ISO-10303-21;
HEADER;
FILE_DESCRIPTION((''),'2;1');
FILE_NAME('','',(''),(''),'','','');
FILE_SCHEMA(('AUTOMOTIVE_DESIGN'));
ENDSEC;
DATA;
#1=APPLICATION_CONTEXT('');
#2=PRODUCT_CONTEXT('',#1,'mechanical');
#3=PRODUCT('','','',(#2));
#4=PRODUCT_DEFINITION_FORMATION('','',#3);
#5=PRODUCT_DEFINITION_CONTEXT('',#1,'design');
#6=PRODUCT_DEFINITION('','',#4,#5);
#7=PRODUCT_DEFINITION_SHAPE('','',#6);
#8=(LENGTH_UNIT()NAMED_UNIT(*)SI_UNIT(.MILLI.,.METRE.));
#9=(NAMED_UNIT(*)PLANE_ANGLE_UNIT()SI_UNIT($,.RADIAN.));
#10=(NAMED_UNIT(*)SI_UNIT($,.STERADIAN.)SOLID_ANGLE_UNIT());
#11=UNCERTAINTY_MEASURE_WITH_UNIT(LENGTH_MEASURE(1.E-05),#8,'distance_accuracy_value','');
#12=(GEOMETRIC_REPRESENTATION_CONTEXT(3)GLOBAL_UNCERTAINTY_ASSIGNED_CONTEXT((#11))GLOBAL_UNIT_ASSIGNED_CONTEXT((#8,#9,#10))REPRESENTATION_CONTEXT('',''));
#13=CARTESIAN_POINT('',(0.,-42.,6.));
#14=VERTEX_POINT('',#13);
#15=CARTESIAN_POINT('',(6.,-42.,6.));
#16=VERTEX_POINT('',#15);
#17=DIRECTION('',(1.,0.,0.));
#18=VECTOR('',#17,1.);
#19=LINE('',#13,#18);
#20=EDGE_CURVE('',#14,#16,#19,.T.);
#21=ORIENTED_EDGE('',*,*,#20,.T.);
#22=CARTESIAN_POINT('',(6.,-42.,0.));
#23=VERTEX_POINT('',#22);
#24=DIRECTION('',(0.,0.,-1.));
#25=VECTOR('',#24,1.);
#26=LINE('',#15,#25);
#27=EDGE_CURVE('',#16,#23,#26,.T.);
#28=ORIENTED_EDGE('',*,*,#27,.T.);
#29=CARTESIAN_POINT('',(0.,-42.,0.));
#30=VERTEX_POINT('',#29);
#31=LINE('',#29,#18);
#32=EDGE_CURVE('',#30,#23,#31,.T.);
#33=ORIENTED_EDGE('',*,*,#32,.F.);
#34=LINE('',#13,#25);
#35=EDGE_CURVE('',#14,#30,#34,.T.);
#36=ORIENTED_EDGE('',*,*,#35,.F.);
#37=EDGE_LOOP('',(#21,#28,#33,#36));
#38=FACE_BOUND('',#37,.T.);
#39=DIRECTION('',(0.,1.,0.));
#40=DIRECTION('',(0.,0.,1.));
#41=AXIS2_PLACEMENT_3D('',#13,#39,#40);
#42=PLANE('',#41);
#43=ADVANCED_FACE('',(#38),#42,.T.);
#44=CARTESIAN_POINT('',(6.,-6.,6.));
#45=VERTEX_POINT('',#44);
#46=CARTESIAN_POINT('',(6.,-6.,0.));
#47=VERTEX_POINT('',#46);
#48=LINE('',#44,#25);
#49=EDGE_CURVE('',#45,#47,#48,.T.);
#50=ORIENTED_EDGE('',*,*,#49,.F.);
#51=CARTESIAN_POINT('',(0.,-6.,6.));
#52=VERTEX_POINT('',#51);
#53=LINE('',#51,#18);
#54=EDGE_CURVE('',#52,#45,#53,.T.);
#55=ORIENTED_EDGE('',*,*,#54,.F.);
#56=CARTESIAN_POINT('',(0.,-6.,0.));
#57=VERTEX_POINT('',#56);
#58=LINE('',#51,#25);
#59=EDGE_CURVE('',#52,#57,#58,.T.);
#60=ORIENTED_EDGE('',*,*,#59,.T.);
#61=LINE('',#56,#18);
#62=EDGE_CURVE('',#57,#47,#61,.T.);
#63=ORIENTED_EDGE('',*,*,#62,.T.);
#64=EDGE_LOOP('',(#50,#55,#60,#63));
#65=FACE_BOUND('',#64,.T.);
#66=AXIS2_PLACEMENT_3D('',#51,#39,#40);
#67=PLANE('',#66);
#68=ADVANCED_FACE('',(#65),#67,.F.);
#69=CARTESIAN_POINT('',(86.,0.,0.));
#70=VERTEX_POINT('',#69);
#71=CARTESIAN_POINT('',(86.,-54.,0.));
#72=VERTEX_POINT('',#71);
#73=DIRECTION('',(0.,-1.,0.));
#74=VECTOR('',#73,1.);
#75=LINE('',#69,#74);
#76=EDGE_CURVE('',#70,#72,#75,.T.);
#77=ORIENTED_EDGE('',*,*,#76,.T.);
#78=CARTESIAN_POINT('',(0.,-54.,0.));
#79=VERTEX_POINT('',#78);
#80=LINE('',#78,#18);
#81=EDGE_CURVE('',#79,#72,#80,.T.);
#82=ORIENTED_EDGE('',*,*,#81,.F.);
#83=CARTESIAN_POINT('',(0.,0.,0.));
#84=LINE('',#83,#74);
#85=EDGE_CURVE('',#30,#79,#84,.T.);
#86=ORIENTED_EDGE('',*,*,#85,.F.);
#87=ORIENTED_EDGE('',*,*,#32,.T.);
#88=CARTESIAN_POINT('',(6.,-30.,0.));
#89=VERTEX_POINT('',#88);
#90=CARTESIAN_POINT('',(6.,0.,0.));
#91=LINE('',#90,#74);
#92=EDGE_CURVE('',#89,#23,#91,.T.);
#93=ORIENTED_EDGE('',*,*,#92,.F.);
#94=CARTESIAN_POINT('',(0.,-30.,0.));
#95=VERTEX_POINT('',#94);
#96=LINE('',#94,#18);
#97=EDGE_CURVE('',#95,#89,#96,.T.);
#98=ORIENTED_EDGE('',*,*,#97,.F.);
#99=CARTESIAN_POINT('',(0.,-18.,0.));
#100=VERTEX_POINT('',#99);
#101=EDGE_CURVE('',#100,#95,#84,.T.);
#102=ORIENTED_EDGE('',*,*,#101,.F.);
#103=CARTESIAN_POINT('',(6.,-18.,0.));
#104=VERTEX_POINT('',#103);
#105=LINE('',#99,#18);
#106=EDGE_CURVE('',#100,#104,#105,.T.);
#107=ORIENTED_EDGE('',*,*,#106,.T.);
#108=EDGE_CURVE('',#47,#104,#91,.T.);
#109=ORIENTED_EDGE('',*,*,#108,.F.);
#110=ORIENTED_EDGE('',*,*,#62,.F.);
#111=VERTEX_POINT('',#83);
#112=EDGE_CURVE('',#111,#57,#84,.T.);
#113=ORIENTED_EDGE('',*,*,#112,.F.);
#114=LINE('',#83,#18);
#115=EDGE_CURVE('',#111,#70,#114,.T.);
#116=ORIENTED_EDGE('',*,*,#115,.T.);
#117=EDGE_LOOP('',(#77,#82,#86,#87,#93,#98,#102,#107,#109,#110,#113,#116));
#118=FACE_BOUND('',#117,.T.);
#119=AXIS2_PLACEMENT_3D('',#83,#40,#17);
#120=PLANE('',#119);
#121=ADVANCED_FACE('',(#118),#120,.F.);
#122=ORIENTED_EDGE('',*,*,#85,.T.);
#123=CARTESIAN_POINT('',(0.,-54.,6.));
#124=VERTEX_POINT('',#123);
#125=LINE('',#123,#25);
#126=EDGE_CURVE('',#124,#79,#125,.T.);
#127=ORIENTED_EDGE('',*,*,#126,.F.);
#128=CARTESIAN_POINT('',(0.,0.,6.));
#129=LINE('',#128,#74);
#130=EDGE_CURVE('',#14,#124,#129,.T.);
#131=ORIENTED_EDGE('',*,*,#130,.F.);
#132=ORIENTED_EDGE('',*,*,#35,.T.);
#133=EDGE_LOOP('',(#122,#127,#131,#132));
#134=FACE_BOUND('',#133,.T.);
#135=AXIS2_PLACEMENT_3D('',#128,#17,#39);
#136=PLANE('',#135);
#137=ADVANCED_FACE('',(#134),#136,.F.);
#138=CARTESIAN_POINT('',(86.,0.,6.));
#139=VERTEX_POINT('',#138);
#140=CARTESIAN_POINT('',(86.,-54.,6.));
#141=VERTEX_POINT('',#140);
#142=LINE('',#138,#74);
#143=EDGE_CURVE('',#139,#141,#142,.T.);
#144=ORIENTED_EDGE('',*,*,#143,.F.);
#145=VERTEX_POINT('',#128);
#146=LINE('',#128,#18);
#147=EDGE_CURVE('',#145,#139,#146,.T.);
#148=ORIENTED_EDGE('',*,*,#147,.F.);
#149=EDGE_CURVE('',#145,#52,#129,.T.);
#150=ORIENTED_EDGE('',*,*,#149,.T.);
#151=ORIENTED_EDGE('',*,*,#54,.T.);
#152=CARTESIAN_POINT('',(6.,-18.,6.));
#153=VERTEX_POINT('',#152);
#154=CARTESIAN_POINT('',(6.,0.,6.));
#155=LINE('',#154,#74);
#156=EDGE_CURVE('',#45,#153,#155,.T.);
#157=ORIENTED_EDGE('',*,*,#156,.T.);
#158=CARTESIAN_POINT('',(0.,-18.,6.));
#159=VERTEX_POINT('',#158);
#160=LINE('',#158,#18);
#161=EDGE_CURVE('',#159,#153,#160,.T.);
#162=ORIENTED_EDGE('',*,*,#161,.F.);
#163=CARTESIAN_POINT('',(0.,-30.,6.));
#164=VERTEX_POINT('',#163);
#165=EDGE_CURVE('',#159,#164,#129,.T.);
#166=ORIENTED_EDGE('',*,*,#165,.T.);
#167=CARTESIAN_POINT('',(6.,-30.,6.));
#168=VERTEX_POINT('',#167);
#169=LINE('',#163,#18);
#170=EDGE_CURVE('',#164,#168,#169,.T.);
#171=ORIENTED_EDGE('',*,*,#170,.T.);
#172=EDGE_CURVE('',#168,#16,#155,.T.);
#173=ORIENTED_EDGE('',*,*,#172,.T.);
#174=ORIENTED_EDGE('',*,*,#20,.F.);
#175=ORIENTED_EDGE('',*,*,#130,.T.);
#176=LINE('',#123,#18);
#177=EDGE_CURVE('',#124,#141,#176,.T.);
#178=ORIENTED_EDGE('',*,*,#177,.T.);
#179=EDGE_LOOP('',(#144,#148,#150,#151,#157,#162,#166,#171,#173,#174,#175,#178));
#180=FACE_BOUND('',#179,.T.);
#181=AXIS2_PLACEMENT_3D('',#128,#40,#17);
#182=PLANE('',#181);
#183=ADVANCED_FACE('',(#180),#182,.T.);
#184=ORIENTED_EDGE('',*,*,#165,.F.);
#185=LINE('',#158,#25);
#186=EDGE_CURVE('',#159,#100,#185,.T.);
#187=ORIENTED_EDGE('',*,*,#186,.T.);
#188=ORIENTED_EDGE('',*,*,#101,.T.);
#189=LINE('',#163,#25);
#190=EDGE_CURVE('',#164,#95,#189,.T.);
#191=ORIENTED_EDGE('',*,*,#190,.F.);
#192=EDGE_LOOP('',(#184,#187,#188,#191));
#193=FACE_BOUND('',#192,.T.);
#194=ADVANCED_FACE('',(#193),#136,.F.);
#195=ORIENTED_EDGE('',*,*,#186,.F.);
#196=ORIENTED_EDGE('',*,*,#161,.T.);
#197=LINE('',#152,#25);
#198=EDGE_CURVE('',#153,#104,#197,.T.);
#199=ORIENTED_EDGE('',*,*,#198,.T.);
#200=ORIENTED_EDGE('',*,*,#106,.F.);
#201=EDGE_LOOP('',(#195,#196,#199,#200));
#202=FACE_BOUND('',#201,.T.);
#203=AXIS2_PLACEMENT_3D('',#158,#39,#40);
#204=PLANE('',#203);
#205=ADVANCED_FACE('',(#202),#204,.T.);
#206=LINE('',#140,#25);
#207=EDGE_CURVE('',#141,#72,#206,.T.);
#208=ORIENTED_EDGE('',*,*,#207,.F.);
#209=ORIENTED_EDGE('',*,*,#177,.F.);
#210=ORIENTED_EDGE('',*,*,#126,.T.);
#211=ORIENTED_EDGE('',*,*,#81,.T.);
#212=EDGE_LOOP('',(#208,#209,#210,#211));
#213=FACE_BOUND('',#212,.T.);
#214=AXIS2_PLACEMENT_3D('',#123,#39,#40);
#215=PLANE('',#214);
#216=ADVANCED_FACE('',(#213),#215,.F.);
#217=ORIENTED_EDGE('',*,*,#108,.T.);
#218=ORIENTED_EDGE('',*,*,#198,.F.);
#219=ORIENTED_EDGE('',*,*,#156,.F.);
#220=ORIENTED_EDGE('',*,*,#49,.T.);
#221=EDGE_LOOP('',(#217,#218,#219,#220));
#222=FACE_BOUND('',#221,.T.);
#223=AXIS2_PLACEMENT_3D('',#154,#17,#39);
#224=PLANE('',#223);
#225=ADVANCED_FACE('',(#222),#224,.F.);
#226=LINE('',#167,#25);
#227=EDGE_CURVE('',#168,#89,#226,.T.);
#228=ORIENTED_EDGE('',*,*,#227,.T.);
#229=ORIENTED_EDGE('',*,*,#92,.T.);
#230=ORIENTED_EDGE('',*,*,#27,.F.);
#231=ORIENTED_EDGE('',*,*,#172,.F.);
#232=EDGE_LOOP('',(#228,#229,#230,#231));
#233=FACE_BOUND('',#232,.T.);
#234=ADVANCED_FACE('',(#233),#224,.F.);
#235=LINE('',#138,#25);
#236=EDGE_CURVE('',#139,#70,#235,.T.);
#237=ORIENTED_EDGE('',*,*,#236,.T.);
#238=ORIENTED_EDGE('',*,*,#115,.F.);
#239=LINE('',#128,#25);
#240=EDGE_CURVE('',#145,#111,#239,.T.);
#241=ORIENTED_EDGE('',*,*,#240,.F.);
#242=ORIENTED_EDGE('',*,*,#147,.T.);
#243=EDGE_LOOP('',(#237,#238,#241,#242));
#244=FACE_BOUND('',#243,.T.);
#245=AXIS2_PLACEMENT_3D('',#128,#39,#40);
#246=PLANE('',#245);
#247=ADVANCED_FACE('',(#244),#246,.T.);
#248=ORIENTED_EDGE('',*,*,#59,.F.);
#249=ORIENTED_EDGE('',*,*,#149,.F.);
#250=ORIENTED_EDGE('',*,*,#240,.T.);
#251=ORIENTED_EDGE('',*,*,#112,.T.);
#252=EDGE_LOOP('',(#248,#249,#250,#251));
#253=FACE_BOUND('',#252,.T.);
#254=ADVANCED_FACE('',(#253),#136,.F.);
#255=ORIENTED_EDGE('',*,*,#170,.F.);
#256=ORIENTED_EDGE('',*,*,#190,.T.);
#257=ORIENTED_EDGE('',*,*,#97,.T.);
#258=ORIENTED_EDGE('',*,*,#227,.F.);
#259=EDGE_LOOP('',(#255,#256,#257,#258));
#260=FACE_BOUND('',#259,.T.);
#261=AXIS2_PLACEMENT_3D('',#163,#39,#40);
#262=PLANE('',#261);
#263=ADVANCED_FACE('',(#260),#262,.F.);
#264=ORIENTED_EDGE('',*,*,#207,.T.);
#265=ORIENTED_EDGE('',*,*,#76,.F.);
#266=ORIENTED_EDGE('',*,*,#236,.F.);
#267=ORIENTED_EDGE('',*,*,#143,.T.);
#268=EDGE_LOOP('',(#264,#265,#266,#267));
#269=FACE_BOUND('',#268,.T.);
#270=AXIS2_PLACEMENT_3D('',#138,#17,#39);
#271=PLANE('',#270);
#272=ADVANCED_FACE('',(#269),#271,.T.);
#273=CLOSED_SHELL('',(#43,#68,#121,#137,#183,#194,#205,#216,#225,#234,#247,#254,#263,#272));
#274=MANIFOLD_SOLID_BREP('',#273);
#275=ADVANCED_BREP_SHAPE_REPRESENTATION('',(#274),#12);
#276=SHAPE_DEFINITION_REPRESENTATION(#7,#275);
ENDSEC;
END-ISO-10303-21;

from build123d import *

# Parameters (mm, degrees)
BOSS_EXTRUDE1_DEPTH = 6


with BuildPart() as part:
    # Sketch1 → Boss-Extrude1 (new body)
    with BuildSketch(Plane.XY):
        Polygon((0, -18), (0, -30), (6, -30), (6, -42), (0, -42), (0, -54), (6, -54), (86, -54), (86, 0), (0, 0), (0, -6), (6, -6), (6, -18), align=None)
    extrude(amount=BOSS_EXTRUDE1_DEPTH)


solid = part.part
